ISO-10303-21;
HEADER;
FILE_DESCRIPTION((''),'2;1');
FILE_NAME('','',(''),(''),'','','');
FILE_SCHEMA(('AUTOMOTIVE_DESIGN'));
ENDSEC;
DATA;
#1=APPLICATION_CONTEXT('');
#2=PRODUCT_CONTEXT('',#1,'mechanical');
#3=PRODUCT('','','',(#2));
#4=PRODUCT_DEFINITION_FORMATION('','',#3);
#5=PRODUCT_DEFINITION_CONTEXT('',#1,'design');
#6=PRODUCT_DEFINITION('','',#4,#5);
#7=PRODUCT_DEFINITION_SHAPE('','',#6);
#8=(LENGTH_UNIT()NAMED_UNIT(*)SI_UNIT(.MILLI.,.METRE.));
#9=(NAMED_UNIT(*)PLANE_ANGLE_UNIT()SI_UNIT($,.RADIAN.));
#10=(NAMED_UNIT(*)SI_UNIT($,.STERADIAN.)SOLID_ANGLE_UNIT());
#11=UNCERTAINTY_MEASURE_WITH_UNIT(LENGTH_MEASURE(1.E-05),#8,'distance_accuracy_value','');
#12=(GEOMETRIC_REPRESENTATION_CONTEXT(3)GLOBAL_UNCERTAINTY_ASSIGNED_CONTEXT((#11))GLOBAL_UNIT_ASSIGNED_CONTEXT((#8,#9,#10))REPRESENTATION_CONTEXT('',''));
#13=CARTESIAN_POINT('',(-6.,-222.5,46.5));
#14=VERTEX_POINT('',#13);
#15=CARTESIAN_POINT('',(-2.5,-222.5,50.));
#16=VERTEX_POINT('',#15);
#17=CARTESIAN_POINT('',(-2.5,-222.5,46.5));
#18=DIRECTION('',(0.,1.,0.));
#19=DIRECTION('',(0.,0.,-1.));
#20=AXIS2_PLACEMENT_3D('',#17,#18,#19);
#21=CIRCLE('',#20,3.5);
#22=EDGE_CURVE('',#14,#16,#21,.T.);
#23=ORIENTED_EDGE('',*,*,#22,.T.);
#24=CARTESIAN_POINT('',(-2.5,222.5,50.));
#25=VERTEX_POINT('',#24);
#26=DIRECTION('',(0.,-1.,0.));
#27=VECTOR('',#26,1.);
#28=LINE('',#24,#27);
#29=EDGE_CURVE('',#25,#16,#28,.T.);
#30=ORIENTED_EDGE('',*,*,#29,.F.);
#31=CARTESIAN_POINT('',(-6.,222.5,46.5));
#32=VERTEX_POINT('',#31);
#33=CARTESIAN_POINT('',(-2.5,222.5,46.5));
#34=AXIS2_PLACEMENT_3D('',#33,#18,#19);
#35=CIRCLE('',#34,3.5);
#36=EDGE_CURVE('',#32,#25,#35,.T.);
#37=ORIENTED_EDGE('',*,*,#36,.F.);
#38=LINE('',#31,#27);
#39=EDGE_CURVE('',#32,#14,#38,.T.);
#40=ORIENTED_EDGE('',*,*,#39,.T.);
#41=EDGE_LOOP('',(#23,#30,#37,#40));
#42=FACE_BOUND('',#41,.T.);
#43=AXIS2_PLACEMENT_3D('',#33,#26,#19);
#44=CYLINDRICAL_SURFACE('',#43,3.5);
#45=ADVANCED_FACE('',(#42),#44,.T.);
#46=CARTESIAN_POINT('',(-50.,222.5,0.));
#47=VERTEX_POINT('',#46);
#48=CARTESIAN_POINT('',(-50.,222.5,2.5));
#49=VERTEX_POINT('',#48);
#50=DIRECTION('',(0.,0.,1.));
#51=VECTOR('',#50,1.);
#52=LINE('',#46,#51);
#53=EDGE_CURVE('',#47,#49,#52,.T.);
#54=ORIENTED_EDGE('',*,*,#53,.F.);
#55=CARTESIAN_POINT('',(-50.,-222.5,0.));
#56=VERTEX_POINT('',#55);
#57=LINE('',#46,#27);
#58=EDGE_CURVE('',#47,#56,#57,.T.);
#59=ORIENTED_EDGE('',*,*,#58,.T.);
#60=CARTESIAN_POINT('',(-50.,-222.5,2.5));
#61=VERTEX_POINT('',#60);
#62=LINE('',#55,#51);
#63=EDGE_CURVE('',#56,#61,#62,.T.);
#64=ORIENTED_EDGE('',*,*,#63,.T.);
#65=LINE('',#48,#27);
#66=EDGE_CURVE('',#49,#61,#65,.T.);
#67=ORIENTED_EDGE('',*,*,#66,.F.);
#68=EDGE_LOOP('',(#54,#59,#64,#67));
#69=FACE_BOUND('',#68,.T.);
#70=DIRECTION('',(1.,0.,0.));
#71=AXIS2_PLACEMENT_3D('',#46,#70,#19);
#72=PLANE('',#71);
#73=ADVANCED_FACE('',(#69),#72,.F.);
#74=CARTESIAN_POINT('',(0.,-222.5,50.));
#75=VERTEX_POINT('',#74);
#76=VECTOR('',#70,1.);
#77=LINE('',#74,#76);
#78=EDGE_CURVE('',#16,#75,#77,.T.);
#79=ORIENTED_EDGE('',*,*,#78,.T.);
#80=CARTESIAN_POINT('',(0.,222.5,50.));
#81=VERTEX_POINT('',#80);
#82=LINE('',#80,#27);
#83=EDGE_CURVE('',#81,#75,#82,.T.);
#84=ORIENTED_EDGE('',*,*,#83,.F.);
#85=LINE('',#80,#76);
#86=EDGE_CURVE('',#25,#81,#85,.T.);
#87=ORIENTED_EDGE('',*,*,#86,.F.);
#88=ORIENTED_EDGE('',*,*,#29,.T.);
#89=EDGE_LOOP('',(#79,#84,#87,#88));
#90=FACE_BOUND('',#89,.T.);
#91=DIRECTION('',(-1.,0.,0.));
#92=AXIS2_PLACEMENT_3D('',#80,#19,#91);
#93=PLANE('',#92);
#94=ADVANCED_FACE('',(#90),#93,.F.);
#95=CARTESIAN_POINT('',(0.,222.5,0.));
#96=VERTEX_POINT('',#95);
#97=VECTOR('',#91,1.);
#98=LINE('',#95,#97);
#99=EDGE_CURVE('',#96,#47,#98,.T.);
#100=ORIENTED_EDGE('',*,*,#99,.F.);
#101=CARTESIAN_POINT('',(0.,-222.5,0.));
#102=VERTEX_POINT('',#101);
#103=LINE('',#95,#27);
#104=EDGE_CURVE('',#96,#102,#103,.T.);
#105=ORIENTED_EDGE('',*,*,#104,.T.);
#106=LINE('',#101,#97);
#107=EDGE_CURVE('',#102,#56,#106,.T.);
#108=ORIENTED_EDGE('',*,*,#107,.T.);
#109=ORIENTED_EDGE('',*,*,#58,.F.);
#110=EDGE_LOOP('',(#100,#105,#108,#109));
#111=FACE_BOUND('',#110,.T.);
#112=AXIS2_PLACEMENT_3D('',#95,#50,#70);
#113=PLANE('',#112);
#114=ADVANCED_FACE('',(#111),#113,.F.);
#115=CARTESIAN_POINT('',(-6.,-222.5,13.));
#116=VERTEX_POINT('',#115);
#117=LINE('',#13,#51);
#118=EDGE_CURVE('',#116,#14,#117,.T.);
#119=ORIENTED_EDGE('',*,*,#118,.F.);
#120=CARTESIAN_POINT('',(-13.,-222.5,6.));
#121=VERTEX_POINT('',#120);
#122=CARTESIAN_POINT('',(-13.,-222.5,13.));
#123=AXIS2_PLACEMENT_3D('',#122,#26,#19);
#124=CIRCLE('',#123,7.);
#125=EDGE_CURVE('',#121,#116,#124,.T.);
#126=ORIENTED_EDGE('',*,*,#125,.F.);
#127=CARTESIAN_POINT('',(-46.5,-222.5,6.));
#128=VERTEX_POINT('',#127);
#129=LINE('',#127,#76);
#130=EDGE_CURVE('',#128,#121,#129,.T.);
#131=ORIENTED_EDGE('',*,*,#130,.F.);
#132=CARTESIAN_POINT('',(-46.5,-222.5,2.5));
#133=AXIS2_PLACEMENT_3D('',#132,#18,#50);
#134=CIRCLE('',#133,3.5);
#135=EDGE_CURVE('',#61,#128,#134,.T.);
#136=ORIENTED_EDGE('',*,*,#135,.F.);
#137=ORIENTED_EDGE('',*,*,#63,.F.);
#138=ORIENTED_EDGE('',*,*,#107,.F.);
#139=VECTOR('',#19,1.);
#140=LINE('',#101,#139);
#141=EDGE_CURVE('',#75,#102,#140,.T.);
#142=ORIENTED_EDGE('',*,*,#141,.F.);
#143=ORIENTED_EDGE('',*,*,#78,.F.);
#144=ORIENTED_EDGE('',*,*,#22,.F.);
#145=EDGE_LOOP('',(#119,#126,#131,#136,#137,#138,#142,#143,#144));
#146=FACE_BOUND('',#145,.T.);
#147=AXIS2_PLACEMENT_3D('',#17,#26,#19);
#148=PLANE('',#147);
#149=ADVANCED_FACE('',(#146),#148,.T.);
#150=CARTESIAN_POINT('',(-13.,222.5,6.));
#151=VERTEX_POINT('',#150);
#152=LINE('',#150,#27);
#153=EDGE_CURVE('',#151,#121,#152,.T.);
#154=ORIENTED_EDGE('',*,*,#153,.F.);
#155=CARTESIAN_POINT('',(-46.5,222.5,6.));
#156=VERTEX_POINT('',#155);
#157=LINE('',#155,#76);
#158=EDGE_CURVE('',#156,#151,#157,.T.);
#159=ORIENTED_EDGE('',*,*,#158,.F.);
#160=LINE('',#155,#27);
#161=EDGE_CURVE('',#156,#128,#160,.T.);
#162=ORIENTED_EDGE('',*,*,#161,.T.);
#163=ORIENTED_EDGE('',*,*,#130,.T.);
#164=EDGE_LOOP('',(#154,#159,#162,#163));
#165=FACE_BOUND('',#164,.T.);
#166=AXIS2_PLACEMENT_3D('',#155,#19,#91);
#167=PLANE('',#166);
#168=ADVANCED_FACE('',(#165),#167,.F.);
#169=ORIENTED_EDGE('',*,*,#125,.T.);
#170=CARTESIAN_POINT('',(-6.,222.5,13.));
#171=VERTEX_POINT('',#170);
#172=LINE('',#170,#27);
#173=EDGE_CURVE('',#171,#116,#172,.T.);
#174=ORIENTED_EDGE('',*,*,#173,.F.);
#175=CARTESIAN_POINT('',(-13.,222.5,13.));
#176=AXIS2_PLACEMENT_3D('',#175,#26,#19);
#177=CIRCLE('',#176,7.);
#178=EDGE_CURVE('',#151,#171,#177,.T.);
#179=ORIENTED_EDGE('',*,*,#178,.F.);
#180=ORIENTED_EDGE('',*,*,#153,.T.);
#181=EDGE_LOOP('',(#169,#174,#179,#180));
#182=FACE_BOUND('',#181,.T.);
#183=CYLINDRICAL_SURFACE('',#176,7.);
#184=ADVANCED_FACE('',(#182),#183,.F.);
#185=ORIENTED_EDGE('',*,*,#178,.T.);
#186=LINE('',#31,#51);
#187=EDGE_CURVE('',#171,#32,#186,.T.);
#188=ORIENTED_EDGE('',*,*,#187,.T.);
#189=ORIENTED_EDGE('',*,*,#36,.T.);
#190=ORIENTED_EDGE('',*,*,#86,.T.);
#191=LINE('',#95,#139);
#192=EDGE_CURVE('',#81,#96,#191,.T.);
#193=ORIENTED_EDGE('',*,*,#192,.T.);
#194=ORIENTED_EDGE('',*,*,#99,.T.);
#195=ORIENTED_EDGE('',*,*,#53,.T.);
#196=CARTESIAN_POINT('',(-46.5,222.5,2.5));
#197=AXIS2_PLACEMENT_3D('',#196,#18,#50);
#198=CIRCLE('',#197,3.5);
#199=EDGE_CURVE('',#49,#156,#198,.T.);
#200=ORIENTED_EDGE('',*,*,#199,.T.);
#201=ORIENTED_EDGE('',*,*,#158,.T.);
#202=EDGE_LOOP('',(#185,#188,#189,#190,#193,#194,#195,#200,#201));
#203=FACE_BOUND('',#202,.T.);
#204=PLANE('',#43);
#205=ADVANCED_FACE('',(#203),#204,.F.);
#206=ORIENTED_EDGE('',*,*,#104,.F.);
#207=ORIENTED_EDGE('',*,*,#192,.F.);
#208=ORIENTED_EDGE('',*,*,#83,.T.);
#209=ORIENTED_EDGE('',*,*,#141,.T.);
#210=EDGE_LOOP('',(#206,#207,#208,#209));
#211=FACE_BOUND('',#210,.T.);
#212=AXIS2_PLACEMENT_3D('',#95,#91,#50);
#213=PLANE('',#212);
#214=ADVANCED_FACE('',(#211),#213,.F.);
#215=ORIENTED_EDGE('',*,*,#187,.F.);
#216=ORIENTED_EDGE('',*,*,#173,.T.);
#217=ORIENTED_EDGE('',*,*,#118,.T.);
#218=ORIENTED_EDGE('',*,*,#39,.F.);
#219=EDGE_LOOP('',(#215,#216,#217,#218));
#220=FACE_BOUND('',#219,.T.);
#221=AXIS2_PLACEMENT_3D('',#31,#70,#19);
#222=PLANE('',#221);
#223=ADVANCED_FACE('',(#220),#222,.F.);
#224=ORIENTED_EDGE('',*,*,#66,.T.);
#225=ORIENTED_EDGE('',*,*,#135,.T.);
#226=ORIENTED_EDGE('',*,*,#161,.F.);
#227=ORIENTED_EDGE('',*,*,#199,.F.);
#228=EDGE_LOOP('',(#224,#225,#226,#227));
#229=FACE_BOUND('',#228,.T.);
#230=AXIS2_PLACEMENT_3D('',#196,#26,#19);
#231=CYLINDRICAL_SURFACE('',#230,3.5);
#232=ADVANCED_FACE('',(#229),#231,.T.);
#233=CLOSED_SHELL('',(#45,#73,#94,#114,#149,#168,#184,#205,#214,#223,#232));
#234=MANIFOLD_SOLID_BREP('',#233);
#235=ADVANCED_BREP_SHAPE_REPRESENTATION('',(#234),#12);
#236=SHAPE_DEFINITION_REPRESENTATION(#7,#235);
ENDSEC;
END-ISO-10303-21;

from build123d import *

# Parameters (mm, degrees)
BOSS_EXTRUDE1_DEPTH = 222.5


with BuildPart() as part:
    # Sketch1 → Boss-Extrude1 (new, symmetric)
    with BuildSketch(Plane(origin=(0, 0, 0), x_dir=(1, 0, 0), z_dir=(0, 1, 0))):
        with BuildLine():
            Line((0, 0), (-50, 0))
            Line((-50, 0), (-50, -2.5))
            ThreePointArc((-50, -2.5), (-48.974873734, -4.974873734), (-46.5, -6))
            Line((-46.5, -6), (-13, -6))
            ThreePointArc((-13, -6), (-8.050252532, -8.050252532), (-6, -13))
            Line((-6, -13), (-6, -46.5))
            ThreePointArc((-6, -46.5), (-4.974873734, -48.974873734), (-2.5, -50))
            Line((-2.5, -50), (0, -50))
            Line((0, -50), (0, 0))
        make_face()
    extrude(amount=BOSS_EXTRUDE1_DEPTH, both=True)


solid = part.part
